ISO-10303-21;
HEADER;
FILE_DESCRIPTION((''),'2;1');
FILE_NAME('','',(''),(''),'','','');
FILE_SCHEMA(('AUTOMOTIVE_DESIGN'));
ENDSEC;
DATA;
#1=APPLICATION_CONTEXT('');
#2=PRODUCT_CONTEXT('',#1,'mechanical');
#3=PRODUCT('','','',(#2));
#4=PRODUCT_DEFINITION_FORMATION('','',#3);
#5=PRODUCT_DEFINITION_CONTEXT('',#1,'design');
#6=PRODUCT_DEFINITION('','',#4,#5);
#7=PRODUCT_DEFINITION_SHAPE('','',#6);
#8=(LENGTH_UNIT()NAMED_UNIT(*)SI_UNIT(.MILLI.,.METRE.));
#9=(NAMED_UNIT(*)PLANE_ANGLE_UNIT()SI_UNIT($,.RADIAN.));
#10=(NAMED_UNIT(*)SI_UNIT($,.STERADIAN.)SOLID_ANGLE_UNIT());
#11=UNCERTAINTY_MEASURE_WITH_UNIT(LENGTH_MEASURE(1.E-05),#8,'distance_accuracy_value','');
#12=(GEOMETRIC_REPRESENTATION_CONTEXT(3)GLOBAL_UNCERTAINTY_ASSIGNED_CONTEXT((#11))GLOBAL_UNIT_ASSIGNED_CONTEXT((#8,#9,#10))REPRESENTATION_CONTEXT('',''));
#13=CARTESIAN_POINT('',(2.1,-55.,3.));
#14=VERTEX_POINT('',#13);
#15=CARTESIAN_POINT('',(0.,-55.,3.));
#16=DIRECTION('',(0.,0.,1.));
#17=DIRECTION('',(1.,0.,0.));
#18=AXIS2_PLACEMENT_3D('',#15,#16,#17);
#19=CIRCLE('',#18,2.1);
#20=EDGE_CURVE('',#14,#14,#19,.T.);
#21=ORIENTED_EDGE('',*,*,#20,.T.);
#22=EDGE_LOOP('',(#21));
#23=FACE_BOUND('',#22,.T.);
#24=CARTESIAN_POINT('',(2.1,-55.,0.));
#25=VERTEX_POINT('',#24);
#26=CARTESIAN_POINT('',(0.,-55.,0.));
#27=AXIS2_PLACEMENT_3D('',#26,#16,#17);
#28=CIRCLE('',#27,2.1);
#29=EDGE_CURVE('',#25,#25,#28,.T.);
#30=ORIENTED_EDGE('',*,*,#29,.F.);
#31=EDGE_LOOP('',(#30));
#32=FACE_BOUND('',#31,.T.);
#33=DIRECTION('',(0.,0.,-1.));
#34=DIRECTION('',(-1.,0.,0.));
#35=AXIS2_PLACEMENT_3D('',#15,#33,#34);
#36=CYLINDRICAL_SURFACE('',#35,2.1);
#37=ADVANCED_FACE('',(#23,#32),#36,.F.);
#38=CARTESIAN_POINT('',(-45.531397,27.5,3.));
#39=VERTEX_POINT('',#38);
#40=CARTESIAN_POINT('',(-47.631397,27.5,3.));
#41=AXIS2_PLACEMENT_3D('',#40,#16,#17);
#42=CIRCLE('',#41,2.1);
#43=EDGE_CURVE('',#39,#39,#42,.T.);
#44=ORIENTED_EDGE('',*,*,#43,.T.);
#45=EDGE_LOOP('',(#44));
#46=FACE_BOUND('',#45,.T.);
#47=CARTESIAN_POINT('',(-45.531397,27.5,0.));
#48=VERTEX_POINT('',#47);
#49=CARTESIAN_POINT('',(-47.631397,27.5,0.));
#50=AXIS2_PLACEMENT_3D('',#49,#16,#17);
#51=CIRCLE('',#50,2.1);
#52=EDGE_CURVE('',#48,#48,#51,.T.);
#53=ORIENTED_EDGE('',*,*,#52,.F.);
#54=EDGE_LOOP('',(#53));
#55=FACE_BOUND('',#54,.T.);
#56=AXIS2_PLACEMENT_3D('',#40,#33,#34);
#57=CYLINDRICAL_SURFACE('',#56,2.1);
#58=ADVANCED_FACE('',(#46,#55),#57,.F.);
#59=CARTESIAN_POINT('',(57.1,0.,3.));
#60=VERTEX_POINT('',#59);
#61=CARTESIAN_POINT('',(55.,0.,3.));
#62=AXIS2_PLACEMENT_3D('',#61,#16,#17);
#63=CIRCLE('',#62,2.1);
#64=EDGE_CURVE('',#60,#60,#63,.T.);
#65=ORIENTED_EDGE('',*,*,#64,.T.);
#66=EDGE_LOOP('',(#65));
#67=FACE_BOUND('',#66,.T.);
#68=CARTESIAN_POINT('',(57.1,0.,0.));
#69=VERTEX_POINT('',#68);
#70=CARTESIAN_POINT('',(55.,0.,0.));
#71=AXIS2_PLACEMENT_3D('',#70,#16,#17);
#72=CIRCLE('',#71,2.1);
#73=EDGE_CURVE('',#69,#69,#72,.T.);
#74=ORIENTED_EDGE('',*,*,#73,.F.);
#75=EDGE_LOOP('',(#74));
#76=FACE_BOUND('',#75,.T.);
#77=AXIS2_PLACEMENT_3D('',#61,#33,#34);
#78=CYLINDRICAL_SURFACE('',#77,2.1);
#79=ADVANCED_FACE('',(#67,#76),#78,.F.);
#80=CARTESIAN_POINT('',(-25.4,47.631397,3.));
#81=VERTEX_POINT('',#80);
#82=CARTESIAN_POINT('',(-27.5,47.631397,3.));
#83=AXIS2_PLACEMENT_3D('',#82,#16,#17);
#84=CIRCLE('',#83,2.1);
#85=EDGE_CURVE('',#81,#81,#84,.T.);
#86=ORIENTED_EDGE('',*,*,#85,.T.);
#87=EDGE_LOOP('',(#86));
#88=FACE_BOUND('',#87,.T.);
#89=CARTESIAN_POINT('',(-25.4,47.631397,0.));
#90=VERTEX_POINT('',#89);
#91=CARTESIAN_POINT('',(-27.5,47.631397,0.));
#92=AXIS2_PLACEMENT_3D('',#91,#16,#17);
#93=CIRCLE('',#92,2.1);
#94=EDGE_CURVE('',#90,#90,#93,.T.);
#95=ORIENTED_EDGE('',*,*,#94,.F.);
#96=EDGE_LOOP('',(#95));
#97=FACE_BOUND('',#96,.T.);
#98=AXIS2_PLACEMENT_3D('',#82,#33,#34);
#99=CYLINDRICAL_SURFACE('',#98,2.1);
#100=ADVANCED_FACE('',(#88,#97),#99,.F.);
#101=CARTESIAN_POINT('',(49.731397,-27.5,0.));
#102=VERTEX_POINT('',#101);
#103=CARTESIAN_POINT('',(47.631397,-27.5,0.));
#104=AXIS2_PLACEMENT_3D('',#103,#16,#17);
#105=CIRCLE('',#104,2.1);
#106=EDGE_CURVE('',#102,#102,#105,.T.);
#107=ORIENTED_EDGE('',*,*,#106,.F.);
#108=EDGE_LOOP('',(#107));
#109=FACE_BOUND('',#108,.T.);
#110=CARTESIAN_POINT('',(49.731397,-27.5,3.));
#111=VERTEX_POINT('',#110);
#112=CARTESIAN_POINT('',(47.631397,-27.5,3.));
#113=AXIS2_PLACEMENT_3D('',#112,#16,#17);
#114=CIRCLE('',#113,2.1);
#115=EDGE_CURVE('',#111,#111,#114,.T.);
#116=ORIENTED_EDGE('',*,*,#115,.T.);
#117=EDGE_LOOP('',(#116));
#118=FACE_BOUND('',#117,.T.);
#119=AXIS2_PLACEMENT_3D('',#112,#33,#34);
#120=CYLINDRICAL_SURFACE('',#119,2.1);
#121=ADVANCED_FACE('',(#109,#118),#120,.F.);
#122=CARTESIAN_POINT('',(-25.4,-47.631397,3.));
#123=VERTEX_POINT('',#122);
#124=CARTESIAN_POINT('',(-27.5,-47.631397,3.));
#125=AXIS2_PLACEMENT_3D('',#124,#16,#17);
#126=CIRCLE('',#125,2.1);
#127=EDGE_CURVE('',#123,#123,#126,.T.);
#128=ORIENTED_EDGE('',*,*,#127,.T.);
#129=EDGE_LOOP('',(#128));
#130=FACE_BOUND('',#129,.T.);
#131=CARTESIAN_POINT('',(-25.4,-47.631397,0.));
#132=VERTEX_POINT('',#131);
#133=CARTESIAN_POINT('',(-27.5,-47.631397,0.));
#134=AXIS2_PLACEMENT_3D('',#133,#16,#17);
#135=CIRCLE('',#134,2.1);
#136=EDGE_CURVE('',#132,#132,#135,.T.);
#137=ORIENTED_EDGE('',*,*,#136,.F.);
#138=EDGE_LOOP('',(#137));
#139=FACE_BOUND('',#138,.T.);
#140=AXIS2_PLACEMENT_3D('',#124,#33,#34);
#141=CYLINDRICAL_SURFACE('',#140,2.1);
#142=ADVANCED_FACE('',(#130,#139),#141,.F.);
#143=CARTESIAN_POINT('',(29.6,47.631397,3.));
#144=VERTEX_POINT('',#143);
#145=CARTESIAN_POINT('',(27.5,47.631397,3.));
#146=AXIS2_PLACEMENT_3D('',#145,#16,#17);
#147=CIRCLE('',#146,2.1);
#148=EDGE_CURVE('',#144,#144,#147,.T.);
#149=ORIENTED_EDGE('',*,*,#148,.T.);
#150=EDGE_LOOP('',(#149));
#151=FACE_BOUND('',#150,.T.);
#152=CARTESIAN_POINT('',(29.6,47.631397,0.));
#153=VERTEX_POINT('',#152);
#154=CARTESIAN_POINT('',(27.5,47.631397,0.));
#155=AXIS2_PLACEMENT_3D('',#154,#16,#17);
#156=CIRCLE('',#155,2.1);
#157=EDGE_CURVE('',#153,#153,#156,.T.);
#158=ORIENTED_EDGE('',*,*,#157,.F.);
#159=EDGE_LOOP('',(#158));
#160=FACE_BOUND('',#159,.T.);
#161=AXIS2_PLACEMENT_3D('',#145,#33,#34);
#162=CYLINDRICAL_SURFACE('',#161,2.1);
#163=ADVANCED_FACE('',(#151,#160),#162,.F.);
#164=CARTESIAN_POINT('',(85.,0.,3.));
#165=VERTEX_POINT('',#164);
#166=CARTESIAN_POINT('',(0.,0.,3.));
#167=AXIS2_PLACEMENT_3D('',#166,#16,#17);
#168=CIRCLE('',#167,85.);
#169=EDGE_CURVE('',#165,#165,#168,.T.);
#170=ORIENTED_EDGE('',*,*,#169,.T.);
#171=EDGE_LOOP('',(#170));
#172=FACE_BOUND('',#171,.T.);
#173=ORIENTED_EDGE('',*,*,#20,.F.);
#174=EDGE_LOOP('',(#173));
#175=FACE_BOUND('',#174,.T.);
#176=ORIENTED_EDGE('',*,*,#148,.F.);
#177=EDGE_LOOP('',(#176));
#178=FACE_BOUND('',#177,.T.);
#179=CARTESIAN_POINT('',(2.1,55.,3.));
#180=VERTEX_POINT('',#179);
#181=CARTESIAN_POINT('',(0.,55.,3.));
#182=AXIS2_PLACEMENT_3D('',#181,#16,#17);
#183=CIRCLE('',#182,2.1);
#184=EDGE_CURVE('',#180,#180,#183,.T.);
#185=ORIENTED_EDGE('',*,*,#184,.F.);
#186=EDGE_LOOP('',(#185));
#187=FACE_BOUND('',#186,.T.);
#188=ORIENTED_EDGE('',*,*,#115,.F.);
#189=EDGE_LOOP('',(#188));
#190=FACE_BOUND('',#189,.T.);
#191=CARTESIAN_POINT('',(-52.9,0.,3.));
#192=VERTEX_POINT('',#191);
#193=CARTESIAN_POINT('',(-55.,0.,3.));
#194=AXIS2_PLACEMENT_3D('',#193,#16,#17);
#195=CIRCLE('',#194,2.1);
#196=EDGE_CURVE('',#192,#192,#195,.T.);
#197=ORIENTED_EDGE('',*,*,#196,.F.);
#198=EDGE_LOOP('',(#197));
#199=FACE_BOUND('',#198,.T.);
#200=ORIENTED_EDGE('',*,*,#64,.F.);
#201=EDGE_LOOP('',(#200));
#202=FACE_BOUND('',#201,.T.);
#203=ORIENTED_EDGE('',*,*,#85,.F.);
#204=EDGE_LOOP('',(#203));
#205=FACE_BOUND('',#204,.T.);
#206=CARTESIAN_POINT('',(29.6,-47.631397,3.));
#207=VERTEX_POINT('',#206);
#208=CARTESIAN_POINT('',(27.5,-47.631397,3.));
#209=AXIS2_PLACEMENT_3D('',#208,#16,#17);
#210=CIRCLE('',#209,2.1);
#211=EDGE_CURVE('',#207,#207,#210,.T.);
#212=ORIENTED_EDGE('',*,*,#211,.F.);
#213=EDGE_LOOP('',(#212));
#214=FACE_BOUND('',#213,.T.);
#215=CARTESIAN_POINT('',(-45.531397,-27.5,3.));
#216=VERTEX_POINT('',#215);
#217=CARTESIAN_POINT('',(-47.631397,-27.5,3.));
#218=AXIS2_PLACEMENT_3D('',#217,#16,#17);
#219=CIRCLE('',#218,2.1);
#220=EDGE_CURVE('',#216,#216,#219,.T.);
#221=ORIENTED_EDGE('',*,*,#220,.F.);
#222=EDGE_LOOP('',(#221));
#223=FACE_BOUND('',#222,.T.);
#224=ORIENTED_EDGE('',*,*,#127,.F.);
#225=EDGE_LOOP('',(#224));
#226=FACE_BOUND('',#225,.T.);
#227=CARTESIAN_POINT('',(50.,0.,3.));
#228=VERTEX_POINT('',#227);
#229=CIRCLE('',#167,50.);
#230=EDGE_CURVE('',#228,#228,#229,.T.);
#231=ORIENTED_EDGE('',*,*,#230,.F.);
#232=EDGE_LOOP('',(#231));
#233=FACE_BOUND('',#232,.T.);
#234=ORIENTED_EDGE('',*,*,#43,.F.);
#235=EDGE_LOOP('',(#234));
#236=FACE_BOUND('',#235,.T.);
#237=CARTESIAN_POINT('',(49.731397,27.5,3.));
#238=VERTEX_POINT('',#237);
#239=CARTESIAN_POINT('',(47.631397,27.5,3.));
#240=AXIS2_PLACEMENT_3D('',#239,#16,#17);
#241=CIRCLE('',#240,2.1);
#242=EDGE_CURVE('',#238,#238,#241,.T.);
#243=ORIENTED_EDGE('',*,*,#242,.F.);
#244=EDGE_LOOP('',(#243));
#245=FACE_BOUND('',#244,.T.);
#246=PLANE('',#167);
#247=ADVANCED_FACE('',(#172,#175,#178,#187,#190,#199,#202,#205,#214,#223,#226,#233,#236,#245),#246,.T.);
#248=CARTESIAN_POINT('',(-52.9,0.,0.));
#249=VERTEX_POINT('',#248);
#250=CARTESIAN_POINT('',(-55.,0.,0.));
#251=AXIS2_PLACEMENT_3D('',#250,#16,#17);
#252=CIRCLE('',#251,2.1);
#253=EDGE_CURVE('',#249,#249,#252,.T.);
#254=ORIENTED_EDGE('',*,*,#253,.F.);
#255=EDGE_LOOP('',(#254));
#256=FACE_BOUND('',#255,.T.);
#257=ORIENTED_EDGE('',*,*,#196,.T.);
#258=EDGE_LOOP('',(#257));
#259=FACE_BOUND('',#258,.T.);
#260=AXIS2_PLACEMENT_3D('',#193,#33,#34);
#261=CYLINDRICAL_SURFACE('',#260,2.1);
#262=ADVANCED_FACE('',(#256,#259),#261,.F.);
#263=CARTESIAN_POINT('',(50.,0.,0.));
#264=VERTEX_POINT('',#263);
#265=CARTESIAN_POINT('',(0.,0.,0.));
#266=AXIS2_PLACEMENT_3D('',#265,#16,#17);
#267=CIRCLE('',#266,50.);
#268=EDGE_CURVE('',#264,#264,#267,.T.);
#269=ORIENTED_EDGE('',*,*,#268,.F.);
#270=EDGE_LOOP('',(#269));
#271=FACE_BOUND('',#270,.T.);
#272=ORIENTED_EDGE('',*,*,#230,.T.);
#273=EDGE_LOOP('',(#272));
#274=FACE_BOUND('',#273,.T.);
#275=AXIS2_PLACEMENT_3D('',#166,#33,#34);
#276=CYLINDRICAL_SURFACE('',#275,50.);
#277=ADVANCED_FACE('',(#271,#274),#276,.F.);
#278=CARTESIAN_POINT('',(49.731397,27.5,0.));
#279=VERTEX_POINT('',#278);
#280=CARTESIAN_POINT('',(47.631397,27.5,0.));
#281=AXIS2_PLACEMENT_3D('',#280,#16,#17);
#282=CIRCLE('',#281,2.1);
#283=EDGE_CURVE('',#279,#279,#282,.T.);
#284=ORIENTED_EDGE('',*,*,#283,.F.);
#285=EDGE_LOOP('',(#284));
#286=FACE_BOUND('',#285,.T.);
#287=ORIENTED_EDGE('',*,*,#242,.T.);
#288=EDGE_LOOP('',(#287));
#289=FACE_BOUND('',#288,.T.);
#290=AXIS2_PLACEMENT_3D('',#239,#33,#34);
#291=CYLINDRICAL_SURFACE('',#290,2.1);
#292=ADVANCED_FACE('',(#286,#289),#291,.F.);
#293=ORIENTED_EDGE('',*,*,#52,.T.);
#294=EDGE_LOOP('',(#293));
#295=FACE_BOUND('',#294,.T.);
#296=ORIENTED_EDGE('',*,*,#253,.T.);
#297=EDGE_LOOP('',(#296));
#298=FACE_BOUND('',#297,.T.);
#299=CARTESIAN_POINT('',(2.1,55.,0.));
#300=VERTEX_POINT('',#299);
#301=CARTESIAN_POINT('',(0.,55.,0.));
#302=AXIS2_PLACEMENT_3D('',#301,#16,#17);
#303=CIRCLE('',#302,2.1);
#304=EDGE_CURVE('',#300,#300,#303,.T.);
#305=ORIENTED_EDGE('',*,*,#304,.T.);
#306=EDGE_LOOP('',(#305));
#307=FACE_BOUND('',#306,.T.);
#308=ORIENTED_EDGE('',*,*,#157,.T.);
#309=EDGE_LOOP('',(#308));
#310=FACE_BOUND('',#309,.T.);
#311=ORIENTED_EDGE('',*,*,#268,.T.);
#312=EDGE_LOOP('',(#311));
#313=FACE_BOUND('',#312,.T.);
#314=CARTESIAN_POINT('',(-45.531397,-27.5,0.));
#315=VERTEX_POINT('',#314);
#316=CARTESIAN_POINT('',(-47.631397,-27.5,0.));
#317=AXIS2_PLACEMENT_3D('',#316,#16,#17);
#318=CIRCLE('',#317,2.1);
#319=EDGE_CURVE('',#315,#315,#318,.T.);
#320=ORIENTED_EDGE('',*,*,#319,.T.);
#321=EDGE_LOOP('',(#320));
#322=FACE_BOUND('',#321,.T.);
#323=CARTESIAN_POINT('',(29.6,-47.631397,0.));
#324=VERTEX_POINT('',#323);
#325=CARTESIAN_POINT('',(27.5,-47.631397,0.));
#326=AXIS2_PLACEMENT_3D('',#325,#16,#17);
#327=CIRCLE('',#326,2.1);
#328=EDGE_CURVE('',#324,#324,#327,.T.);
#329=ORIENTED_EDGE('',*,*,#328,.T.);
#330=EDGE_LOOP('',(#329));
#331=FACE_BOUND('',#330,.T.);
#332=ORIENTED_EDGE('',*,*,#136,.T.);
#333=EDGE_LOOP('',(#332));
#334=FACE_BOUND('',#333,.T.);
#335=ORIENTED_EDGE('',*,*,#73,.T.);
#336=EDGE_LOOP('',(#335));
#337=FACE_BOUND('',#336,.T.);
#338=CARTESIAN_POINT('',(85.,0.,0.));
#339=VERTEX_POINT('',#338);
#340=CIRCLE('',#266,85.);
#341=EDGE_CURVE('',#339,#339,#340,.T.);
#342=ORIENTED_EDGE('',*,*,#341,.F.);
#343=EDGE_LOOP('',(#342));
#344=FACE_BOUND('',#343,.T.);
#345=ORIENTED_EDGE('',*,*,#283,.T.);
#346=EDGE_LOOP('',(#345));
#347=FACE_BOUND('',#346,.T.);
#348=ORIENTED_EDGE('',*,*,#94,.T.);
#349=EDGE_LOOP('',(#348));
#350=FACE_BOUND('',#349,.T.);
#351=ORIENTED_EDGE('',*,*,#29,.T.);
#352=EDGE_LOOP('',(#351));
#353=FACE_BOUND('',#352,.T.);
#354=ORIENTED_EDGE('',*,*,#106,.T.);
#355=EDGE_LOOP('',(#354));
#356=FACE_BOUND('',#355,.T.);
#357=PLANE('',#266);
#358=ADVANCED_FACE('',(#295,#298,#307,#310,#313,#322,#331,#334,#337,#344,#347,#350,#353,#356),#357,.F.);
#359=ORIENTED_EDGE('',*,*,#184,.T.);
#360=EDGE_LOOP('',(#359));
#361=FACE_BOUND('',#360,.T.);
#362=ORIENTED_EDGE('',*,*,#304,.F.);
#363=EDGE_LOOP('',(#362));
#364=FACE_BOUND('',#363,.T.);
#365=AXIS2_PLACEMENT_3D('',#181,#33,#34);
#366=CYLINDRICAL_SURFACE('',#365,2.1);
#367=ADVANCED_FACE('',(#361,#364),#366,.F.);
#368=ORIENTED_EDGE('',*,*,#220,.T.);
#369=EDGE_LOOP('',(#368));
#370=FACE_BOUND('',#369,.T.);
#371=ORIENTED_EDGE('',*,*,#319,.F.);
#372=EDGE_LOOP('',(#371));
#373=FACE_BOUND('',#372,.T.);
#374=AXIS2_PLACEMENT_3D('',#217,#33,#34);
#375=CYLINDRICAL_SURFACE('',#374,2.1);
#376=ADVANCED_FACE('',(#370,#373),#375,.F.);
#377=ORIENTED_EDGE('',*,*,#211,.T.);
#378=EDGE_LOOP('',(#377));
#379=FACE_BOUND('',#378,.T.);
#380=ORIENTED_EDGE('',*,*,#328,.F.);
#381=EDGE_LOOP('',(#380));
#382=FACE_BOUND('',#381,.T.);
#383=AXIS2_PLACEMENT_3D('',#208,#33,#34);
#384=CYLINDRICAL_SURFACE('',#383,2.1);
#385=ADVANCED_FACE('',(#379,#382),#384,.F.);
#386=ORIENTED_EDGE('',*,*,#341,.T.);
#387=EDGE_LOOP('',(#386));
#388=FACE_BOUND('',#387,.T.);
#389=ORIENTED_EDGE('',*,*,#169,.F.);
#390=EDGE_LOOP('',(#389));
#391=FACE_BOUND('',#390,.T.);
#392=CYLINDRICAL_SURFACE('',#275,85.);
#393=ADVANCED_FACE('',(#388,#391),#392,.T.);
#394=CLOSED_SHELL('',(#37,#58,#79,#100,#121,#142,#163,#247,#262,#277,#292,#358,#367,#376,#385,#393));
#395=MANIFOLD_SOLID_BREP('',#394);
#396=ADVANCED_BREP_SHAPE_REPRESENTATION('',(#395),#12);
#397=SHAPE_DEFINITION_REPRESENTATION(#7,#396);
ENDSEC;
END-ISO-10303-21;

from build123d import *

# Parameters (mm, degrees)
SKETCH_1_R      = 85
SKETCH_1_R_2    = 50
SKETCH_1_R_3    = 2.1
EXTRUDE_1_DEPTH = 3


with BuildPart() as part:
    # 草图1 → 凸台-拉伸1 (new body)
    with BuildSketch(Plane.XY):
        Circle(SKETCH_1_R)
        Circle(SKETCH_1_R_2, mode=Mode.SUBTRACT)
        with Locations((0, 55)):
            Circle(SKETCH_1_R_3, mode=Mode.SUBTRACT)
        with Locations((27.5, 47.631397208)):
            Circle(SKETCH_1_R_3, mode=Mode.SUBTRACT)
        with Locations((47.631397208, 27.5)):
            Circle(SKETCH_1_R_3, mode=Mode.SUBTRACT)
        with Locations((55, 0)):
            Circle(SKETCH_1_R_3, mode=Mode.SUBTRACT)
        with Locations((47.631397208, -27.5)):
            Circle(SKETCH_1_R_3, mode=Mode.SUBTRACT)
        with Locations((27.5, -47.631397208)):
            Circle(SKETCH_1_R_3, mode=Mode.SUBTRACT)
        with Locations((0, -55)):
            Circle(SKETCH_1_R_3, mode=Mode.SUBTRACT)
        with Locations((-27.5, -47.631397208)):
            Circle(SKETCH_1_R_3, mode=Mode.SUBTRACT)
        with Locations((-47.631397208, -27.5)):
            Circle(SKETCH_1_R_3, mode=Mode.SUBTRACT)
        with Locations((-55, 0)):
            Circle(SKETCH_1_R_3, mode=Mode.SUBTRACT)
        with Locations((-47.631397208, 27.5)):
            Circle(SKETCH_1_R_3, mode=Mode.SUBTRACT)
        with Locations((-27.5, 47.631397208)):
            Circle(SKETCH_1_R_3, mode=Mode.SUBTRACT)
    extrude(amount=EXTRUDE_1_DEPTH)


solid = part.part
